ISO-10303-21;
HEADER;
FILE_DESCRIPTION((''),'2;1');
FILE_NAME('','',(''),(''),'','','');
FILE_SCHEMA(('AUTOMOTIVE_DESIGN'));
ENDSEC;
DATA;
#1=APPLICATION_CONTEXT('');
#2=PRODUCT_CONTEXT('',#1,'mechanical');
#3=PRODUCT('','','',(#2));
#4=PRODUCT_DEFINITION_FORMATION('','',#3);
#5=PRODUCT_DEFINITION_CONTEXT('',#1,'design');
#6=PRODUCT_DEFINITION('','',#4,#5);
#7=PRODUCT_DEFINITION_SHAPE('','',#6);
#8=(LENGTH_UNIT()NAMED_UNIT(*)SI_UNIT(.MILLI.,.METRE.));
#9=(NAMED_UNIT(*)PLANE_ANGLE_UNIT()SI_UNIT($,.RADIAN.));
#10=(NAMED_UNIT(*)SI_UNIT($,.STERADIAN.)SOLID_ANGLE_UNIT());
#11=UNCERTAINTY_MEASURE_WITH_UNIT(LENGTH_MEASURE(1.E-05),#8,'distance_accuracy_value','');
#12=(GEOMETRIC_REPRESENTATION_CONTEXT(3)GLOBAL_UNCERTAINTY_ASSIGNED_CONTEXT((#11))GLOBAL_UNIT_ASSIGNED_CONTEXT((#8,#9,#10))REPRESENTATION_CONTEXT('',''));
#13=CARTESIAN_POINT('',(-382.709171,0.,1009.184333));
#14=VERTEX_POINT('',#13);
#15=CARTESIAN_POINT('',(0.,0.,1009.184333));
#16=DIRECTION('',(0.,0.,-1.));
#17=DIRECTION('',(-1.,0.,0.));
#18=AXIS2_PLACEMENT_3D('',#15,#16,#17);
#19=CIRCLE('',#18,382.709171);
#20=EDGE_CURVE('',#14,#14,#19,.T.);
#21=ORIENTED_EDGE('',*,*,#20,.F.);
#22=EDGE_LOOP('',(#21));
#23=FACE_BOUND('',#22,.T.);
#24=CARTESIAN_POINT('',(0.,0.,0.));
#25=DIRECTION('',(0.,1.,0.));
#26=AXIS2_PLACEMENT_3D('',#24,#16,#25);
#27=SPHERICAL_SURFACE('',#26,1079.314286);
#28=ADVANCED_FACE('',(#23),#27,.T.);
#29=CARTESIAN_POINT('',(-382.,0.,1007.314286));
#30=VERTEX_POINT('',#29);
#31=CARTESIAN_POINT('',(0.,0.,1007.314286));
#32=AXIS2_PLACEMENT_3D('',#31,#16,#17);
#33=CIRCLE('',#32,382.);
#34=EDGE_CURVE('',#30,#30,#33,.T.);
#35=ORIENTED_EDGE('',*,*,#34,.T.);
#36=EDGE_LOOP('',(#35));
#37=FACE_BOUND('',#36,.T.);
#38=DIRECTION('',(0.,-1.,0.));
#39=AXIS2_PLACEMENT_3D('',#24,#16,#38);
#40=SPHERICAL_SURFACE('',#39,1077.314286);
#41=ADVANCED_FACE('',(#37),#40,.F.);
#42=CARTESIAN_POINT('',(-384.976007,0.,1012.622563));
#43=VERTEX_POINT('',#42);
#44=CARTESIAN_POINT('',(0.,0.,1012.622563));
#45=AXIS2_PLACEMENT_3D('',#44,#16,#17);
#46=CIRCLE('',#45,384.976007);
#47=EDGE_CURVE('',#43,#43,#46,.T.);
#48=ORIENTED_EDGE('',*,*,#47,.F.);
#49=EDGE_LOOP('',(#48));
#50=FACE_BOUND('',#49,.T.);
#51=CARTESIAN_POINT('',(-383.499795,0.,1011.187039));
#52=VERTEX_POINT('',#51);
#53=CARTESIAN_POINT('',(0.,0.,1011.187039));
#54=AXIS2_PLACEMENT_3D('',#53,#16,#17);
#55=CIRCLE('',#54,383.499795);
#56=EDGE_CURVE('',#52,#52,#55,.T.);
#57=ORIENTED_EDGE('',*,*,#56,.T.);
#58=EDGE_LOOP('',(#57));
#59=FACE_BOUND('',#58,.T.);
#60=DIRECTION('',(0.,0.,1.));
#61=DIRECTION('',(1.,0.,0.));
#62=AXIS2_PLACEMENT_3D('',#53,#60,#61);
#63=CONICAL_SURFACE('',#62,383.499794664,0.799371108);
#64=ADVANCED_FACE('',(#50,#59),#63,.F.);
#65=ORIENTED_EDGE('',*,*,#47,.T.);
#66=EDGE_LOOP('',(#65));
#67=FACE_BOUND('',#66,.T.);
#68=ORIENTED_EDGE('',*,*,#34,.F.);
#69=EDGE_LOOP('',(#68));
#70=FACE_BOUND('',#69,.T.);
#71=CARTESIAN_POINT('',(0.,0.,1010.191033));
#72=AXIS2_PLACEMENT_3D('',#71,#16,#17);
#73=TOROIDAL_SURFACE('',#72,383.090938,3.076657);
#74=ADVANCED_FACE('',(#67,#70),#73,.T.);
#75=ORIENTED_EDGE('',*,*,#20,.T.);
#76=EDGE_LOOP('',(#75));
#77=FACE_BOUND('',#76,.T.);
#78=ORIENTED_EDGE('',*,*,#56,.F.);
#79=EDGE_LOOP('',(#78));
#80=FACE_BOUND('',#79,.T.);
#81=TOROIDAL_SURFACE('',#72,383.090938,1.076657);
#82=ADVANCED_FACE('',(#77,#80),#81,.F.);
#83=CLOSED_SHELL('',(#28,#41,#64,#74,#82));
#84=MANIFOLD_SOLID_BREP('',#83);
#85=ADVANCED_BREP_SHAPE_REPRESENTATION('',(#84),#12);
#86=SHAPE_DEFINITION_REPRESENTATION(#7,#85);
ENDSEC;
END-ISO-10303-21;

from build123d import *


with BuildPart() as part:
    # Sketch1 → Revolve1 (revolve)
    with BuildSketch(Plane(origin=(0, 0, 0), x_dir=(0, 0, -1), z_dir=(1, 0, 0))):
        with BuildLine():
            Line((-1011.18703859, -383.499794664), (-1012.622562524, -384.976006773))
            ThreePointArc((-1012.622562524, -384.976006773), (-1008.686470293, -385.774613024), (-1007.314285714, -382))
            ThreePointArc((-1007.314285714, -382), (-1059.669793003, -194.180328561), (-1077.314285714, 0))
            Line((-1077.314285714, 0), (-1079.314285714, 0))
            ThreePointArc((-1079.314285714, 0), (-1061.637036559, -194.540818218), (-1009.184332922, -382.709170954))
            ThreePointArc((-1009.184332922, -382.709170954), (-1009.795684925, -384.092382446), (-1011.18703859, -383.499794664))
        make_face()
    revolve(axis=Axis((0, 0, 1077.314285714), (0, 0, 1)))


solid = part.part
